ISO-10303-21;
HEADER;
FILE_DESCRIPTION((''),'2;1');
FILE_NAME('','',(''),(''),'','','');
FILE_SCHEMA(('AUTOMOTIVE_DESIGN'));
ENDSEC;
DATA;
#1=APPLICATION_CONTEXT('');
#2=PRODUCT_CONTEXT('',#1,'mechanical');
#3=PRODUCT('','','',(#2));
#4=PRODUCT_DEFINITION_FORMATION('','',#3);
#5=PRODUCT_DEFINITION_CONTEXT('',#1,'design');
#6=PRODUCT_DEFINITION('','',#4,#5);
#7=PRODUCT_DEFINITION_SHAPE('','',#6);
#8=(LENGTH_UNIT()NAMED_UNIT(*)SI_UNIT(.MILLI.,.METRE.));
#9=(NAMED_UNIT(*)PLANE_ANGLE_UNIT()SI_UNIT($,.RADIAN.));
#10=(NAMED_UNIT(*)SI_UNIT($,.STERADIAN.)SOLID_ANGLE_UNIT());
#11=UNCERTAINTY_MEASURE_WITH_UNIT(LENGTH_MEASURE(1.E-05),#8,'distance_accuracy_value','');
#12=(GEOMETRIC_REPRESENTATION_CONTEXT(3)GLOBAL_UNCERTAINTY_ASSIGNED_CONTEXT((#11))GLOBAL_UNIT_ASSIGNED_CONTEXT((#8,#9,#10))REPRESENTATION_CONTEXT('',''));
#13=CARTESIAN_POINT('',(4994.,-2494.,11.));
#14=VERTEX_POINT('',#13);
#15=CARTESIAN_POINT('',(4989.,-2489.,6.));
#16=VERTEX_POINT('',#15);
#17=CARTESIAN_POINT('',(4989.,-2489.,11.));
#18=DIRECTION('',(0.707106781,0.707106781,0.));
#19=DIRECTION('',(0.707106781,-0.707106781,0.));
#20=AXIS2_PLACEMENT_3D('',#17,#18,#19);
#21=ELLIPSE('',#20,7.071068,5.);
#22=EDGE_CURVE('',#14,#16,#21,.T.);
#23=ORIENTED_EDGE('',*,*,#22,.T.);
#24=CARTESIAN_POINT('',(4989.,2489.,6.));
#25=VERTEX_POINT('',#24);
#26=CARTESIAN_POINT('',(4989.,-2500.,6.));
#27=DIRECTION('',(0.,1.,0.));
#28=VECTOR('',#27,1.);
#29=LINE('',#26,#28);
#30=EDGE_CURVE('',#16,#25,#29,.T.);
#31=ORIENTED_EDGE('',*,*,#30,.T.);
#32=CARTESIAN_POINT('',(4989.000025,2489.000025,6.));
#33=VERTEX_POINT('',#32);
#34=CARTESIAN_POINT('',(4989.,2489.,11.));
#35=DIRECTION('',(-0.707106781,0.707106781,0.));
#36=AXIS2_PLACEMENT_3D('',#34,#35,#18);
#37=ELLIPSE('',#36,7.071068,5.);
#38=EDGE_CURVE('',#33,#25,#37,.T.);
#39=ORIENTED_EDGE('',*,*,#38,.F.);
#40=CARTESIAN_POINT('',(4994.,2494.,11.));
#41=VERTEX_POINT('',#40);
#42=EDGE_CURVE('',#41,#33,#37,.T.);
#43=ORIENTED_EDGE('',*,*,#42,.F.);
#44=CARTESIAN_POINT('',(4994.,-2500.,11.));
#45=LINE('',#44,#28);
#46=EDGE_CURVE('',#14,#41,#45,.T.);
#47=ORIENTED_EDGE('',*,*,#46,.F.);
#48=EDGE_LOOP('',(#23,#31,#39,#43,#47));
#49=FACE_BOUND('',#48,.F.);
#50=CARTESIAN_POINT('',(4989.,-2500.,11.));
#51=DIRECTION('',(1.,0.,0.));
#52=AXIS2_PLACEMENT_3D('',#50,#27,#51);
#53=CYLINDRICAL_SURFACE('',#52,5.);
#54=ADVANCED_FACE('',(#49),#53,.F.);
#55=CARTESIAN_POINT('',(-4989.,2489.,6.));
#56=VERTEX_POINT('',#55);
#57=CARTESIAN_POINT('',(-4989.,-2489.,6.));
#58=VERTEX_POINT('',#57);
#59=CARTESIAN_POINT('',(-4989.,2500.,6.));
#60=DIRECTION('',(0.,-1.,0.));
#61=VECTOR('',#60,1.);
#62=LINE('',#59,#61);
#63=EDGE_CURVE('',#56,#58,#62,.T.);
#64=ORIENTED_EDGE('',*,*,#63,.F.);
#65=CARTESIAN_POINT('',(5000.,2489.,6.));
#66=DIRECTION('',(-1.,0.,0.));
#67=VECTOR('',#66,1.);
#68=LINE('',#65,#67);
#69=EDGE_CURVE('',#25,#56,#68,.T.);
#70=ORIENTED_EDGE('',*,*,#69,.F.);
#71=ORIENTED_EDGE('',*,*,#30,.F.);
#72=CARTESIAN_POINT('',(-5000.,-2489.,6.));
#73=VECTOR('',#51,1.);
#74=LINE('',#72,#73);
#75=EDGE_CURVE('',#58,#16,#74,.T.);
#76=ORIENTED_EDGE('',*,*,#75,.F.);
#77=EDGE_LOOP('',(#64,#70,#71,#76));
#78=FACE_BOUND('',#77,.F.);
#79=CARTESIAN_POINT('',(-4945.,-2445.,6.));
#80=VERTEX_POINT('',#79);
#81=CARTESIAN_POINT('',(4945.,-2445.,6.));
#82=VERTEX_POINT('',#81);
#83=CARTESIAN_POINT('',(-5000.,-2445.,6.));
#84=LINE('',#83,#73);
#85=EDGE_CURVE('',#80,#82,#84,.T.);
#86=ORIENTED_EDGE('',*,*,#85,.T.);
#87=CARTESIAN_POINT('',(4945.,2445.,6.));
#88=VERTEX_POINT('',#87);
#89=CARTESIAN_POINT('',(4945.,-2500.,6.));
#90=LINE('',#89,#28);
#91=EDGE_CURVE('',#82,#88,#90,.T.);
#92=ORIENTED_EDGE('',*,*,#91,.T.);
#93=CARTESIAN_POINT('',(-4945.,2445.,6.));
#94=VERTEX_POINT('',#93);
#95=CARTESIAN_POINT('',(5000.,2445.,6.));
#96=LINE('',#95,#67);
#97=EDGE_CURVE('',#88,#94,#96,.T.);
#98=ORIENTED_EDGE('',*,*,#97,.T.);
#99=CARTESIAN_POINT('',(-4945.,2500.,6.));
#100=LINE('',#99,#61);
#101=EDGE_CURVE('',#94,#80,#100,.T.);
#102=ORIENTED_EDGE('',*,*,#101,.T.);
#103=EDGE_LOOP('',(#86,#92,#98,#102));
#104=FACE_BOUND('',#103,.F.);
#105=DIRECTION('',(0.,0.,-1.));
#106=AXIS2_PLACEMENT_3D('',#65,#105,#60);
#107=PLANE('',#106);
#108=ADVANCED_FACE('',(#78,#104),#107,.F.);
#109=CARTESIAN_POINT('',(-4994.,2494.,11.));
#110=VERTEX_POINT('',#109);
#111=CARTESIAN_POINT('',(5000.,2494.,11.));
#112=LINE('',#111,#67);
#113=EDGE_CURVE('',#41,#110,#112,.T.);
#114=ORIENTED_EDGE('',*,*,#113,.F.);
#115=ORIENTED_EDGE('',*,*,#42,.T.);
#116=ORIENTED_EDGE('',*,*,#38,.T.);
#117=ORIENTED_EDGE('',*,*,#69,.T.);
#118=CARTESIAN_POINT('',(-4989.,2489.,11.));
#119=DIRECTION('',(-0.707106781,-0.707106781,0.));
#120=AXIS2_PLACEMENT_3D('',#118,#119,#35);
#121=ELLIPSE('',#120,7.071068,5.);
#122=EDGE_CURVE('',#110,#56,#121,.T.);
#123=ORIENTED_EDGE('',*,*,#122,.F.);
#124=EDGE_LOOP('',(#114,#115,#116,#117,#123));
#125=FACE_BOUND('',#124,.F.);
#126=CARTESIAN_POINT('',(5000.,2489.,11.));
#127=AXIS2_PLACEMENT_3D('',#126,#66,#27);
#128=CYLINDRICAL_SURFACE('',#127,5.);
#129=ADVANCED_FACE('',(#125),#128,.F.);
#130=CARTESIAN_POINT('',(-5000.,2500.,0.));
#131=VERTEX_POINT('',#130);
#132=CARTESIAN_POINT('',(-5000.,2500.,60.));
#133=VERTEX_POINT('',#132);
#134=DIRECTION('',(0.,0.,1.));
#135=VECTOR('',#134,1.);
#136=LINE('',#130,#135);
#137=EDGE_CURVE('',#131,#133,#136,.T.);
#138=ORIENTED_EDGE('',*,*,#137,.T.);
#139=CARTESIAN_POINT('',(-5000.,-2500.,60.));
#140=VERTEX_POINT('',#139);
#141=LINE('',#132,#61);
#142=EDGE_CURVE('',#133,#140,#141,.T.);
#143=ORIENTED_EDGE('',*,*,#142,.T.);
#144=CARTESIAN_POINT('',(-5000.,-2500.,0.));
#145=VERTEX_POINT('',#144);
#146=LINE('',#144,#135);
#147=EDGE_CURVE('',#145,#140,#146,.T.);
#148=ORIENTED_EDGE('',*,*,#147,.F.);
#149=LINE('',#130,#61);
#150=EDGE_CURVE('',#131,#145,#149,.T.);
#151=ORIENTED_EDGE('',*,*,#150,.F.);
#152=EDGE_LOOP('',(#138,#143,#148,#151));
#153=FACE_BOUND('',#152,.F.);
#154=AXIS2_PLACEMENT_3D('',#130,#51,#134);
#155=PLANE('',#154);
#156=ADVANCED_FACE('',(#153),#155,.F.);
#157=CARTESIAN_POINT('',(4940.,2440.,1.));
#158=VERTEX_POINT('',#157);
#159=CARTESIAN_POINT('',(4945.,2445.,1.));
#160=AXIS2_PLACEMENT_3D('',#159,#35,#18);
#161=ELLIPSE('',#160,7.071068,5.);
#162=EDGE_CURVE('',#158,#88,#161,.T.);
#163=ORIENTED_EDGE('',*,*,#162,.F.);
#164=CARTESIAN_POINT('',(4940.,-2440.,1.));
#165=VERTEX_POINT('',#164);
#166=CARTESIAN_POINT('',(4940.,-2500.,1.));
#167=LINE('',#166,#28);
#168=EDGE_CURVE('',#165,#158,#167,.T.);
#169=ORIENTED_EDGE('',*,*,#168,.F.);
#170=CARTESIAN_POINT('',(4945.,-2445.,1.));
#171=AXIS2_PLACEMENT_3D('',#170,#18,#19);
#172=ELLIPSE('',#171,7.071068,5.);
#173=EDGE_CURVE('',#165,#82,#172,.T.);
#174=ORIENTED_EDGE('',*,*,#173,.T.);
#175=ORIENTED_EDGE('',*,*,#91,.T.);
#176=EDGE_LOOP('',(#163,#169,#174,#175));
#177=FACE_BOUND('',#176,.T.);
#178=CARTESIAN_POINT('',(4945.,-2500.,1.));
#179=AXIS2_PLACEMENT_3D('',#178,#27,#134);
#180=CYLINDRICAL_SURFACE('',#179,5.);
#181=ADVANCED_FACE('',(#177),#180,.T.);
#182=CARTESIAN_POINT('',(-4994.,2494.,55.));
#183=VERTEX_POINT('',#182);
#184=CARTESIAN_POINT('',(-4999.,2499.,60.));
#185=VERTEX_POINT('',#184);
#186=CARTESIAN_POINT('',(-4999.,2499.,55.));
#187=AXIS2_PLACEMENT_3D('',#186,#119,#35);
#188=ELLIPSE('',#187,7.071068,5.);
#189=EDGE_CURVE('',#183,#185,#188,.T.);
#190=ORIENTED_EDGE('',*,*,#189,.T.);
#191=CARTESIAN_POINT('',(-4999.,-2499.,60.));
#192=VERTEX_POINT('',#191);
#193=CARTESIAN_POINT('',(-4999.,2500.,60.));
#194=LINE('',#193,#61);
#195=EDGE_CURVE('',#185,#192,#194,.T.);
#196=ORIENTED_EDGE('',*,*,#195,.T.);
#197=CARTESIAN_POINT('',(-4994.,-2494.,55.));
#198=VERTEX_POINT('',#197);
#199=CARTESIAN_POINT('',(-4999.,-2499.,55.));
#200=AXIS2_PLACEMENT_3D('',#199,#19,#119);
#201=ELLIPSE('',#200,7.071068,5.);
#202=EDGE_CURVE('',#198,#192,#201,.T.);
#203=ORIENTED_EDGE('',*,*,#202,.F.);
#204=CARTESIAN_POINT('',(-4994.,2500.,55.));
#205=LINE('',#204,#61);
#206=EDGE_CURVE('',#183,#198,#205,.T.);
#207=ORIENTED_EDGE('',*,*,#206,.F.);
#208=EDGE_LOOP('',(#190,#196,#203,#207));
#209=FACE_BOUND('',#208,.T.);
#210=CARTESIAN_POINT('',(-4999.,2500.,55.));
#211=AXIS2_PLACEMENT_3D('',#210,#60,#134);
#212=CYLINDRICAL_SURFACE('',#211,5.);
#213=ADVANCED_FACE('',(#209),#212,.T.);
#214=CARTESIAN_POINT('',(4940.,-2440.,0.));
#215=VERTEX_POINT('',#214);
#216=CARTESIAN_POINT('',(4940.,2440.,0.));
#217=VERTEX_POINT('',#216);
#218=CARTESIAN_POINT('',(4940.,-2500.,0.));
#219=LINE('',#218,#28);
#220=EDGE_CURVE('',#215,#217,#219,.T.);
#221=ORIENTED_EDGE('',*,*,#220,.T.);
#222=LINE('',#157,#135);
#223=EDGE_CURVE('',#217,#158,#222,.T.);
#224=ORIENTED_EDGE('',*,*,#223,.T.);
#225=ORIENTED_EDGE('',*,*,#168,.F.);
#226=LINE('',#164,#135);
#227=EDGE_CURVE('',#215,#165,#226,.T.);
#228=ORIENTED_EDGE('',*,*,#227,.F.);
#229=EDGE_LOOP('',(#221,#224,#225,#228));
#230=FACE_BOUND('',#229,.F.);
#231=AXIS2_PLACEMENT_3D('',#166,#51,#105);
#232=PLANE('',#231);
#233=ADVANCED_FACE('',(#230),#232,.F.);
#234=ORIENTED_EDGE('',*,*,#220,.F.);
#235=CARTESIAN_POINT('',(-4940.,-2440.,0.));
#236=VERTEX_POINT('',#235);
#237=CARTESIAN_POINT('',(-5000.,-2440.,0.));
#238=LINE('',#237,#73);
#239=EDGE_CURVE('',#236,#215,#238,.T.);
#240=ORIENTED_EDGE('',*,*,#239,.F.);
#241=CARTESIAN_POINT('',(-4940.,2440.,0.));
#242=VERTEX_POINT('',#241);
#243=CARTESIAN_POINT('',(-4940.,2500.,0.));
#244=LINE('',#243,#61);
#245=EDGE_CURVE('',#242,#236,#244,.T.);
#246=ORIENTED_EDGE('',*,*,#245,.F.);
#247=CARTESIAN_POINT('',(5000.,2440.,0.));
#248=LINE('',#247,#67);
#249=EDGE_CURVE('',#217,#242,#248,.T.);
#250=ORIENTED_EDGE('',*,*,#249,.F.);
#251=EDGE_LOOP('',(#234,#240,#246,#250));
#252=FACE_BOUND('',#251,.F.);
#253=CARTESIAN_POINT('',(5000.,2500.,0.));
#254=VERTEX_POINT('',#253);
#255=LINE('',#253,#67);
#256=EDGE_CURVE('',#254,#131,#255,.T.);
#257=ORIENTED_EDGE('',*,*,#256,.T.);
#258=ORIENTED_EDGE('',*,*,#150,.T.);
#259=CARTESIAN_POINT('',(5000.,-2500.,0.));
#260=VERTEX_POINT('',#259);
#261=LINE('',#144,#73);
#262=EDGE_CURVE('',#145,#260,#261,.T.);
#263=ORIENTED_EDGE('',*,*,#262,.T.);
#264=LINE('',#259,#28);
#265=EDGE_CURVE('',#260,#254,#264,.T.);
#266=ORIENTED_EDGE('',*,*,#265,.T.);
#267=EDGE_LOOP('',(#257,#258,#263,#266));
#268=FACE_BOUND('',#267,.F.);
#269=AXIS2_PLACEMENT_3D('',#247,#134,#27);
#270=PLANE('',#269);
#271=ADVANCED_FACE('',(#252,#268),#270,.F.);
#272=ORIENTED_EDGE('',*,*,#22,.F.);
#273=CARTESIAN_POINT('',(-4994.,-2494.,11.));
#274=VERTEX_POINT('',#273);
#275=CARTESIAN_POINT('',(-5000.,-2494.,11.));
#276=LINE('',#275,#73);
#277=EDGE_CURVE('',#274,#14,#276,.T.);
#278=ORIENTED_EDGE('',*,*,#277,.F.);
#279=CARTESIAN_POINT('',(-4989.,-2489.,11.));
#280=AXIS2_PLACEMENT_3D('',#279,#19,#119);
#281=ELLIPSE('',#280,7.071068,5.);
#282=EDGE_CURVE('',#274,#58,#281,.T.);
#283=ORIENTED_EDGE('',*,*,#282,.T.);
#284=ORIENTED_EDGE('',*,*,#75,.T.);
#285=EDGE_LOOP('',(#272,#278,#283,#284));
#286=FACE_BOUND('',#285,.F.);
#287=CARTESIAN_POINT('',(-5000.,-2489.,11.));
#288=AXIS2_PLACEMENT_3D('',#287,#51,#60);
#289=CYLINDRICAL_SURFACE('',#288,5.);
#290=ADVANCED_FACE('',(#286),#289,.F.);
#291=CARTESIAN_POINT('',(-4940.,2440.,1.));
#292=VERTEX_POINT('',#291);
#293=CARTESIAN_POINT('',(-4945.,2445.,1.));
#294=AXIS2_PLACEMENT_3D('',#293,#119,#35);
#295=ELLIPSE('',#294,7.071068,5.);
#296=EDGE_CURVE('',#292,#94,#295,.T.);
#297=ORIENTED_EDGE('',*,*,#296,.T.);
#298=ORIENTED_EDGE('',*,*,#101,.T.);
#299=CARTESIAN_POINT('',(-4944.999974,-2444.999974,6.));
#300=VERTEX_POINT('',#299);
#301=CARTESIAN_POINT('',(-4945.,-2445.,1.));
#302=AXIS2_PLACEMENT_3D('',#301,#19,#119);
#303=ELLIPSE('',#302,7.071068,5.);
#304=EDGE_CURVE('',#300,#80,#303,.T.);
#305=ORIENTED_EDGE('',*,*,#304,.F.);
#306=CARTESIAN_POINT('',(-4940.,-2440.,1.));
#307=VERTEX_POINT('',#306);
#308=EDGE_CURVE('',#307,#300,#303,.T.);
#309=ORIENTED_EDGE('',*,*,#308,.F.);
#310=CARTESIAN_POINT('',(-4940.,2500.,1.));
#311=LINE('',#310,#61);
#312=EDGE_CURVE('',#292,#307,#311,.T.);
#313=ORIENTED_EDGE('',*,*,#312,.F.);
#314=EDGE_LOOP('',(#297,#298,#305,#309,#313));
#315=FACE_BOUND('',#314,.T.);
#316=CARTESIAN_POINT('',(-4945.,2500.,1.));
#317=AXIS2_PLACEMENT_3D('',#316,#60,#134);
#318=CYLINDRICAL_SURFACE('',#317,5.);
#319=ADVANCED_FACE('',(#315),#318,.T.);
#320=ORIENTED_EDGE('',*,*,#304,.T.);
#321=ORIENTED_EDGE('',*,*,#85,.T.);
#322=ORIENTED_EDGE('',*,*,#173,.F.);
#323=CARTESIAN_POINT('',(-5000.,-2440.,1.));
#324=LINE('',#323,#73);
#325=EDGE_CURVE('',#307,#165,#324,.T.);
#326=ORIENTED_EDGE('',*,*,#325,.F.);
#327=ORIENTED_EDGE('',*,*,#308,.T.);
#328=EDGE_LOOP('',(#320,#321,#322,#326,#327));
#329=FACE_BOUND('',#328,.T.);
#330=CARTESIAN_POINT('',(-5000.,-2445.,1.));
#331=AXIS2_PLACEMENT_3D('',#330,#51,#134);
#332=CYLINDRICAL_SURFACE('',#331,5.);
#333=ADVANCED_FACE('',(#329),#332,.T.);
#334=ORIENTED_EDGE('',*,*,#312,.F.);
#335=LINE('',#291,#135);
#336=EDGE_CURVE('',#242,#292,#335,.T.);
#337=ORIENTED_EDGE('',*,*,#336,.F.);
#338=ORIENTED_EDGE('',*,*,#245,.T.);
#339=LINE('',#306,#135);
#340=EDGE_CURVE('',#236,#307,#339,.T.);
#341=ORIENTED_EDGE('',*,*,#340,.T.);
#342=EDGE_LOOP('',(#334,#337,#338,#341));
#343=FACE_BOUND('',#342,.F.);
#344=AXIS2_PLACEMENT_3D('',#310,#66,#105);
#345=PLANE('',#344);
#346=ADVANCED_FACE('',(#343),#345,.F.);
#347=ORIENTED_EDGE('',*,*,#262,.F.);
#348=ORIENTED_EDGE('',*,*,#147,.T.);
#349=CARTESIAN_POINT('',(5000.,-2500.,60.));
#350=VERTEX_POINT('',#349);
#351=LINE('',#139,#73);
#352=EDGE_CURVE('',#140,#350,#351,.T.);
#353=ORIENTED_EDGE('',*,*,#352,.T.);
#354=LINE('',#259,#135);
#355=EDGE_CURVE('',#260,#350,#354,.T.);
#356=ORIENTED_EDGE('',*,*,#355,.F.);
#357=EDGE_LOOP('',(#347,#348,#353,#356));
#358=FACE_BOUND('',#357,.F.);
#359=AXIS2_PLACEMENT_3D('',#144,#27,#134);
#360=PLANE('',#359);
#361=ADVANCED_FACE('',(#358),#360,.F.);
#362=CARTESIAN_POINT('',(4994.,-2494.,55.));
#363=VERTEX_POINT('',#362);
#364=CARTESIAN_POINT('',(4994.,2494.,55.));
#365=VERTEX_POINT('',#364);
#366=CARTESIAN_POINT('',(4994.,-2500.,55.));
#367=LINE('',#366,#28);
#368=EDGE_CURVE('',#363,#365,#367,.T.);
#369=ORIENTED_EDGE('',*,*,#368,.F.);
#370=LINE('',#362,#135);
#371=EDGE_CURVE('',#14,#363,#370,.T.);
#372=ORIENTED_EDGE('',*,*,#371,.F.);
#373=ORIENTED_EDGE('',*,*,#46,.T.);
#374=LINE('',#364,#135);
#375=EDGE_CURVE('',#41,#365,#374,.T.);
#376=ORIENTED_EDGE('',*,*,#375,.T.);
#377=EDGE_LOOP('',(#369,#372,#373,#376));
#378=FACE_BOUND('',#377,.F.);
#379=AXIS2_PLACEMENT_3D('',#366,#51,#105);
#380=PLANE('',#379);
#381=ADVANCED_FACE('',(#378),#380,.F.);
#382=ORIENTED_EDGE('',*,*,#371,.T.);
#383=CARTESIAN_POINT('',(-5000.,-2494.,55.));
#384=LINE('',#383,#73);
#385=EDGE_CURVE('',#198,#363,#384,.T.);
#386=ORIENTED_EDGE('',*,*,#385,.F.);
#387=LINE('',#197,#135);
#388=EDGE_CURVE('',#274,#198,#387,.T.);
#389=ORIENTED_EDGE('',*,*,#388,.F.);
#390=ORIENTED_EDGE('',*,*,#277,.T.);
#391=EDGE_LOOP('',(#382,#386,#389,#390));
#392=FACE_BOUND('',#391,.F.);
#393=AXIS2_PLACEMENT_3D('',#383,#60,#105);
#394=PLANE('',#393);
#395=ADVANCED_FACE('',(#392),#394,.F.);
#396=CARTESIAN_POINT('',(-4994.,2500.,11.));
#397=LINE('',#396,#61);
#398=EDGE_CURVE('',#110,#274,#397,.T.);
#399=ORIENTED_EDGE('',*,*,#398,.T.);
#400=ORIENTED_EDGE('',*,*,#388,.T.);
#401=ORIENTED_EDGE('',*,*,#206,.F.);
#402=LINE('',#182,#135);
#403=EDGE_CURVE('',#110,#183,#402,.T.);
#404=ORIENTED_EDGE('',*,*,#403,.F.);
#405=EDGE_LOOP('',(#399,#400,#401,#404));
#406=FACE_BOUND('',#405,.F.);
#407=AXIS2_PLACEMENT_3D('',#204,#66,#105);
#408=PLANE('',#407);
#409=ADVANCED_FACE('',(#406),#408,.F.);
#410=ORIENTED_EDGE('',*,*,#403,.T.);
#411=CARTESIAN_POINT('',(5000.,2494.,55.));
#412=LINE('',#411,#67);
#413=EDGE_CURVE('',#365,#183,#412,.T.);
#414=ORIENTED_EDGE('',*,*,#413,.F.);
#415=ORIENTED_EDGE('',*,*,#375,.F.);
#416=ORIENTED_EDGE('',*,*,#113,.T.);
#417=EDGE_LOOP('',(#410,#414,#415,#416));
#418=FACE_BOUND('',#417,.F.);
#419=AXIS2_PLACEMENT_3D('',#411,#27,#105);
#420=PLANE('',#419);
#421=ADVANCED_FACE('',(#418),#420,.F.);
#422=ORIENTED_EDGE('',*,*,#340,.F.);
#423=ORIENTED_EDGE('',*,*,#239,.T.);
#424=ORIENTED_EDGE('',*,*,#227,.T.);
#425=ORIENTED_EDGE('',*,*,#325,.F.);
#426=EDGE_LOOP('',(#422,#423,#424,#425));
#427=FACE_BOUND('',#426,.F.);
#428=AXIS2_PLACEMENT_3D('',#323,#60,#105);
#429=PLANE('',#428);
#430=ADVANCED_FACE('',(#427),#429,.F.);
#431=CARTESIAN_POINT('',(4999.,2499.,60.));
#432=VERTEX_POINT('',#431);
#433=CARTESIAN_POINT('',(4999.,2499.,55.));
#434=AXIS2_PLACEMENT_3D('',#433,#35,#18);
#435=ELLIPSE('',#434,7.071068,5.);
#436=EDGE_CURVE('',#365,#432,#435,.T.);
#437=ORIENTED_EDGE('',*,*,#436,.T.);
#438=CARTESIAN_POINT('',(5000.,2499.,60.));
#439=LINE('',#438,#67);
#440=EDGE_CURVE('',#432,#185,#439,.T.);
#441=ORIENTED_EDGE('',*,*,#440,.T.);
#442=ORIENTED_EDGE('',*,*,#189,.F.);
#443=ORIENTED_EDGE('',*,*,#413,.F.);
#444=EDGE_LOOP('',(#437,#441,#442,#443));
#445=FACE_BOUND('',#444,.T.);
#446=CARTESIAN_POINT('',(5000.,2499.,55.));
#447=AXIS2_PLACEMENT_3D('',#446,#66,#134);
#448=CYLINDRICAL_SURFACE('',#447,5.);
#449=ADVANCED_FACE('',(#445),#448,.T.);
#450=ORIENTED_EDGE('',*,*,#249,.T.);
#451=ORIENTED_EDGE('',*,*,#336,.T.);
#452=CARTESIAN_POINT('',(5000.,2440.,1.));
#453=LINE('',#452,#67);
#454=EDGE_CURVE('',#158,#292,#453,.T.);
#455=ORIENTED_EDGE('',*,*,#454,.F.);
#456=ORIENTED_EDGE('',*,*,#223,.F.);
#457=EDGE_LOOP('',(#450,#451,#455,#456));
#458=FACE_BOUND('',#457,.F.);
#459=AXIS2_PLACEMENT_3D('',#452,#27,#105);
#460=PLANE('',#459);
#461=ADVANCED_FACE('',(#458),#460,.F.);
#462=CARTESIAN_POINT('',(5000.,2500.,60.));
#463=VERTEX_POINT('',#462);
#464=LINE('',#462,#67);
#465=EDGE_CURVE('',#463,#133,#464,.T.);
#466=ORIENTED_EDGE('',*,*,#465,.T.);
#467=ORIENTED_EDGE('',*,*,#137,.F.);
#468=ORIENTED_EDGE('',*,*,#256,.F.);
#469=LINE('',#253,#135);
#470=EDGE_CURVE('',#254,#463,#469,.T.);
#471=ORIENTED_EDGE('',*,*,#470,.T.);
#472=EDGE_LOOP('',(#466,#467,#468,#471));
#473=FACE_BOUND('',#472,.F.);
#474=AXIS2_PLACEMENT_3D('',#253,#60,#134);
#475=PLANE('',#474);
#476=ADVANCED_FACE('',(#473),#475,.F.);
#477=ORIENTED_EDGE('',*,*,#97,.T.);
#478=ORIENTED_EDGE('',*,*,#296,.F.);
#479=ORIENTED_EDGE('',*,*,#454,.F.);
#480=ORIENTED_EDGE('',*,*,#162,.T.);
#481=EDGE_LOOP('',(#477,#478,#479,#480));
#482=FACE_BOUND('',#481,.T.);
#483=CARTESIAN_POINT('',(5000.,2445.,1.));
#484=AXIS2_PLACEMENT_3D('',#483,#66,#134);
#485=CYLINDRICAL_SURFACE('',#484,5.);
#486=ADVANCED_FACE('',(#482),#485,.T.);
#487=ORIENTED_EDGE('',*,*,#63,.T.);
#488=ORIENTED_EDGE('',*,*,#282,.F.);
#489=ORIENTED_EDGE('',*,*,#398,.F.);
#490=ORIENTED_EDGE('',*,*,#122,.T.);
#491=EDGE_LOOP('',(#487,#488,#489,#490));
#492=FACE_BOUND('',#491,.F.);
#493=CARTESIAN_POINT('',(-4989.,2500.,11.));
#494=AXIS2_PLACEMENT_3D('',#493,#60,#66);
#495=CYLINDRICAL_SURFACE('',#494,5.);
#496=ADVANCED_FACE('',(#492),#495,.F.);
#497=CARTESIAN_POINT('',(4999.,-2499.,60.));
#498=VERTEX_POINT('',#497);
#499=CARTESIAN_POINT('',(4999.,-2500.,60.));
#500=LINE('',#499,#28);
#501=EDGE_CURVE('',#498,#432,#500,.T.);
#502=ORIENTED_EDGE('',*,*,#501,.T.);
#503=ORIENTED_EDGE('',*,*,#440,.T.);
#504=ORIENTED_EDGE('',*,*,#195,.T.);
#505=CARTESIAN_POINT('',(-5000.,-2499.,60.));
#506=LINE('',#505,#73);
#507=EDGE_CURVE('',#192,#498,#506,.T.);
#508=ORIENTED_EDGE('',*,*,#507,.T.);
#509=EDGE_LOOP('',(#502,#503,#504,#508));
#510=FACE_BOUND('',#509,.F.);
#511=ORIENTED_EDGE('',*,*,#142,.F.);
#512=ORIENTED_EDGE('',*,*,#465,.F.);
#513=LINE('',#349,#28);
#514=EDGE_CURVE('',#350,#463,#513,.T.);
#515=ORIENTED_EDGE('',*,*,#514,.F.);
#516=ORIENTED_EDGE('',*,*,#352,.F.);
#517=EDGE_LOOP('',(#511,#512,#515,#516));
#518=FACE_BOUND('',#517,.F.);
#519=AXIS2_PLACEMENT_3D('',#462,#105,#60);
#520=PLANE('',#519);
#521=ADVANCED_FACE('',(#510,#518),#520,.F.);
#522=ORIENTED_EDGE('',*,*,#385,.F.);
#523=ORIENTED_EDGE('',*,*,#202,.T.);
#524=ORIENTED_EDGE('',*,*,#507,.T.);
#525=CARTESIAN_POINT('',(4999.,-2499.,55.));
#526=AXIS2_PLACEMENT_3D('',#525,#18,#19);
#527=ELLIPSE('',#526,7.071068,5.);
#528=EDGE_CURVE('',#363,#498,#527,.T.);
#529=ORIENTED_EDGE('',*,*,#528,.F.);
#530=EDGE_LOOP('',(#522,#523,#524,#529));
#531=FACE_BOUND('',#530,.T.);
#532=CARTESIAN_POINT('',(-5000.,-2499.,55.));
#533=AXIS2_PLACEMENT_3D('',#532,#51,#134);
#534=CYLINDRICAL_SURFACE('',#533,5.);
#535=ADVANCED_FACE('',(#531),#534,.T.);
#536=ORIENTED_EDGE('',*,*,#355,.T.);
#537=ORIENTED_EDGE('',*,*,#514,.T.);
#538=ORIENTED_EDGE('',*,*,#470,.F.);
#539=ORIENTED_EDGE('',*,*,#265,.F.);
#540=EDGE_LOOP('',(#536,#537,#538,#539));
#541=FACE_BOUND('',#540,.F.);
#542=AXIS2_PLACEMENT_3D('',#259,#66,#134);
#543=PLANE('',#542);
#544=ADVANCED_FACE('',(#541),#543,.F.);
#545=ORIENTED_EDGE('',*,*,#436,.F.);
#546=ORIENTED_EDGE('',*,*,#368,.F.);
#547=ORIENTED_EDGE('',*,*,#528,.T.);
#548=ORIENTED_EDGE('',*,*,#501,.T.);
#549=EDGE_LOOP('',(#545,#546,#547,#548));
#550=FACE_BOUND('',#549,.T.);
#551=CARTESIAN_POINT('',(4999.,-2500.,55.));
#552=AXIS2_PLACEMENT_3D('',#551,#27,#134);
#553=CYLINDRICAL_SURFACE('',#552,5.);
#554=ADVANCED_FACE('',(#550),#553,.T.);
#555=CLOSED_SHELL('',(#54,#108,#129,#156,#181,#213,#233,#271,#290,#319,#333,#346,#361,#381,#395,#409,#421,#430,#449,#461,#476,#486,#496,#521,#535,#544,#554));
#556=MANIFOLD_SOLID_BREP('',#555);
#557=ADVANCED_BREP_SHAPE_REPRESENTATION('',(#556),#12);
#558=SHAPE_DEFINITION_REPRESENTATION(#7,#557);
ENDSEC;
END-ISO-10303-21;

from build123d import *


with BuildPart() as f2:
    # F2: sweep along a path in F0
    with BuildLine(Plane.XY) as f2_path:
        Line((5000, 2500), (-5000, 2500))
        Line((-5000, 2500), (-5000, -2500))
        Line((-5000, -2500), (5000, -2500))
        Line((5000, -2500), (5000, 2500))
    # F1 (on Right) → F2 (sweep)
    with BuildSketch(Plane.YZ):
        with BuildLine():
            Line((2440, 0), (2500, 0))
            Line((2500, 0), (2500, 60))
            Line((2500, 60), (2499, 60))
            ThreePointArc((2499, 60), (2495.4644660941, 58.5355339059), (2494, 55))
            Line((2494, 55), (2494, 11))
            ThreePointArc((2494, 11), (2492.5355339059, 7.4644660941), (2489, 6))
            Line((2489, 6), (2445, 6))
            ThreePointArc((2445, 6), (2441.4644660941, 4.5355339059), (2440, 1))
            Line((2440, 1), (2440, 0))
        make_face()
    sweep(path=f2_path.line, transition=Transition.RIGHT)


solid = f2.part
